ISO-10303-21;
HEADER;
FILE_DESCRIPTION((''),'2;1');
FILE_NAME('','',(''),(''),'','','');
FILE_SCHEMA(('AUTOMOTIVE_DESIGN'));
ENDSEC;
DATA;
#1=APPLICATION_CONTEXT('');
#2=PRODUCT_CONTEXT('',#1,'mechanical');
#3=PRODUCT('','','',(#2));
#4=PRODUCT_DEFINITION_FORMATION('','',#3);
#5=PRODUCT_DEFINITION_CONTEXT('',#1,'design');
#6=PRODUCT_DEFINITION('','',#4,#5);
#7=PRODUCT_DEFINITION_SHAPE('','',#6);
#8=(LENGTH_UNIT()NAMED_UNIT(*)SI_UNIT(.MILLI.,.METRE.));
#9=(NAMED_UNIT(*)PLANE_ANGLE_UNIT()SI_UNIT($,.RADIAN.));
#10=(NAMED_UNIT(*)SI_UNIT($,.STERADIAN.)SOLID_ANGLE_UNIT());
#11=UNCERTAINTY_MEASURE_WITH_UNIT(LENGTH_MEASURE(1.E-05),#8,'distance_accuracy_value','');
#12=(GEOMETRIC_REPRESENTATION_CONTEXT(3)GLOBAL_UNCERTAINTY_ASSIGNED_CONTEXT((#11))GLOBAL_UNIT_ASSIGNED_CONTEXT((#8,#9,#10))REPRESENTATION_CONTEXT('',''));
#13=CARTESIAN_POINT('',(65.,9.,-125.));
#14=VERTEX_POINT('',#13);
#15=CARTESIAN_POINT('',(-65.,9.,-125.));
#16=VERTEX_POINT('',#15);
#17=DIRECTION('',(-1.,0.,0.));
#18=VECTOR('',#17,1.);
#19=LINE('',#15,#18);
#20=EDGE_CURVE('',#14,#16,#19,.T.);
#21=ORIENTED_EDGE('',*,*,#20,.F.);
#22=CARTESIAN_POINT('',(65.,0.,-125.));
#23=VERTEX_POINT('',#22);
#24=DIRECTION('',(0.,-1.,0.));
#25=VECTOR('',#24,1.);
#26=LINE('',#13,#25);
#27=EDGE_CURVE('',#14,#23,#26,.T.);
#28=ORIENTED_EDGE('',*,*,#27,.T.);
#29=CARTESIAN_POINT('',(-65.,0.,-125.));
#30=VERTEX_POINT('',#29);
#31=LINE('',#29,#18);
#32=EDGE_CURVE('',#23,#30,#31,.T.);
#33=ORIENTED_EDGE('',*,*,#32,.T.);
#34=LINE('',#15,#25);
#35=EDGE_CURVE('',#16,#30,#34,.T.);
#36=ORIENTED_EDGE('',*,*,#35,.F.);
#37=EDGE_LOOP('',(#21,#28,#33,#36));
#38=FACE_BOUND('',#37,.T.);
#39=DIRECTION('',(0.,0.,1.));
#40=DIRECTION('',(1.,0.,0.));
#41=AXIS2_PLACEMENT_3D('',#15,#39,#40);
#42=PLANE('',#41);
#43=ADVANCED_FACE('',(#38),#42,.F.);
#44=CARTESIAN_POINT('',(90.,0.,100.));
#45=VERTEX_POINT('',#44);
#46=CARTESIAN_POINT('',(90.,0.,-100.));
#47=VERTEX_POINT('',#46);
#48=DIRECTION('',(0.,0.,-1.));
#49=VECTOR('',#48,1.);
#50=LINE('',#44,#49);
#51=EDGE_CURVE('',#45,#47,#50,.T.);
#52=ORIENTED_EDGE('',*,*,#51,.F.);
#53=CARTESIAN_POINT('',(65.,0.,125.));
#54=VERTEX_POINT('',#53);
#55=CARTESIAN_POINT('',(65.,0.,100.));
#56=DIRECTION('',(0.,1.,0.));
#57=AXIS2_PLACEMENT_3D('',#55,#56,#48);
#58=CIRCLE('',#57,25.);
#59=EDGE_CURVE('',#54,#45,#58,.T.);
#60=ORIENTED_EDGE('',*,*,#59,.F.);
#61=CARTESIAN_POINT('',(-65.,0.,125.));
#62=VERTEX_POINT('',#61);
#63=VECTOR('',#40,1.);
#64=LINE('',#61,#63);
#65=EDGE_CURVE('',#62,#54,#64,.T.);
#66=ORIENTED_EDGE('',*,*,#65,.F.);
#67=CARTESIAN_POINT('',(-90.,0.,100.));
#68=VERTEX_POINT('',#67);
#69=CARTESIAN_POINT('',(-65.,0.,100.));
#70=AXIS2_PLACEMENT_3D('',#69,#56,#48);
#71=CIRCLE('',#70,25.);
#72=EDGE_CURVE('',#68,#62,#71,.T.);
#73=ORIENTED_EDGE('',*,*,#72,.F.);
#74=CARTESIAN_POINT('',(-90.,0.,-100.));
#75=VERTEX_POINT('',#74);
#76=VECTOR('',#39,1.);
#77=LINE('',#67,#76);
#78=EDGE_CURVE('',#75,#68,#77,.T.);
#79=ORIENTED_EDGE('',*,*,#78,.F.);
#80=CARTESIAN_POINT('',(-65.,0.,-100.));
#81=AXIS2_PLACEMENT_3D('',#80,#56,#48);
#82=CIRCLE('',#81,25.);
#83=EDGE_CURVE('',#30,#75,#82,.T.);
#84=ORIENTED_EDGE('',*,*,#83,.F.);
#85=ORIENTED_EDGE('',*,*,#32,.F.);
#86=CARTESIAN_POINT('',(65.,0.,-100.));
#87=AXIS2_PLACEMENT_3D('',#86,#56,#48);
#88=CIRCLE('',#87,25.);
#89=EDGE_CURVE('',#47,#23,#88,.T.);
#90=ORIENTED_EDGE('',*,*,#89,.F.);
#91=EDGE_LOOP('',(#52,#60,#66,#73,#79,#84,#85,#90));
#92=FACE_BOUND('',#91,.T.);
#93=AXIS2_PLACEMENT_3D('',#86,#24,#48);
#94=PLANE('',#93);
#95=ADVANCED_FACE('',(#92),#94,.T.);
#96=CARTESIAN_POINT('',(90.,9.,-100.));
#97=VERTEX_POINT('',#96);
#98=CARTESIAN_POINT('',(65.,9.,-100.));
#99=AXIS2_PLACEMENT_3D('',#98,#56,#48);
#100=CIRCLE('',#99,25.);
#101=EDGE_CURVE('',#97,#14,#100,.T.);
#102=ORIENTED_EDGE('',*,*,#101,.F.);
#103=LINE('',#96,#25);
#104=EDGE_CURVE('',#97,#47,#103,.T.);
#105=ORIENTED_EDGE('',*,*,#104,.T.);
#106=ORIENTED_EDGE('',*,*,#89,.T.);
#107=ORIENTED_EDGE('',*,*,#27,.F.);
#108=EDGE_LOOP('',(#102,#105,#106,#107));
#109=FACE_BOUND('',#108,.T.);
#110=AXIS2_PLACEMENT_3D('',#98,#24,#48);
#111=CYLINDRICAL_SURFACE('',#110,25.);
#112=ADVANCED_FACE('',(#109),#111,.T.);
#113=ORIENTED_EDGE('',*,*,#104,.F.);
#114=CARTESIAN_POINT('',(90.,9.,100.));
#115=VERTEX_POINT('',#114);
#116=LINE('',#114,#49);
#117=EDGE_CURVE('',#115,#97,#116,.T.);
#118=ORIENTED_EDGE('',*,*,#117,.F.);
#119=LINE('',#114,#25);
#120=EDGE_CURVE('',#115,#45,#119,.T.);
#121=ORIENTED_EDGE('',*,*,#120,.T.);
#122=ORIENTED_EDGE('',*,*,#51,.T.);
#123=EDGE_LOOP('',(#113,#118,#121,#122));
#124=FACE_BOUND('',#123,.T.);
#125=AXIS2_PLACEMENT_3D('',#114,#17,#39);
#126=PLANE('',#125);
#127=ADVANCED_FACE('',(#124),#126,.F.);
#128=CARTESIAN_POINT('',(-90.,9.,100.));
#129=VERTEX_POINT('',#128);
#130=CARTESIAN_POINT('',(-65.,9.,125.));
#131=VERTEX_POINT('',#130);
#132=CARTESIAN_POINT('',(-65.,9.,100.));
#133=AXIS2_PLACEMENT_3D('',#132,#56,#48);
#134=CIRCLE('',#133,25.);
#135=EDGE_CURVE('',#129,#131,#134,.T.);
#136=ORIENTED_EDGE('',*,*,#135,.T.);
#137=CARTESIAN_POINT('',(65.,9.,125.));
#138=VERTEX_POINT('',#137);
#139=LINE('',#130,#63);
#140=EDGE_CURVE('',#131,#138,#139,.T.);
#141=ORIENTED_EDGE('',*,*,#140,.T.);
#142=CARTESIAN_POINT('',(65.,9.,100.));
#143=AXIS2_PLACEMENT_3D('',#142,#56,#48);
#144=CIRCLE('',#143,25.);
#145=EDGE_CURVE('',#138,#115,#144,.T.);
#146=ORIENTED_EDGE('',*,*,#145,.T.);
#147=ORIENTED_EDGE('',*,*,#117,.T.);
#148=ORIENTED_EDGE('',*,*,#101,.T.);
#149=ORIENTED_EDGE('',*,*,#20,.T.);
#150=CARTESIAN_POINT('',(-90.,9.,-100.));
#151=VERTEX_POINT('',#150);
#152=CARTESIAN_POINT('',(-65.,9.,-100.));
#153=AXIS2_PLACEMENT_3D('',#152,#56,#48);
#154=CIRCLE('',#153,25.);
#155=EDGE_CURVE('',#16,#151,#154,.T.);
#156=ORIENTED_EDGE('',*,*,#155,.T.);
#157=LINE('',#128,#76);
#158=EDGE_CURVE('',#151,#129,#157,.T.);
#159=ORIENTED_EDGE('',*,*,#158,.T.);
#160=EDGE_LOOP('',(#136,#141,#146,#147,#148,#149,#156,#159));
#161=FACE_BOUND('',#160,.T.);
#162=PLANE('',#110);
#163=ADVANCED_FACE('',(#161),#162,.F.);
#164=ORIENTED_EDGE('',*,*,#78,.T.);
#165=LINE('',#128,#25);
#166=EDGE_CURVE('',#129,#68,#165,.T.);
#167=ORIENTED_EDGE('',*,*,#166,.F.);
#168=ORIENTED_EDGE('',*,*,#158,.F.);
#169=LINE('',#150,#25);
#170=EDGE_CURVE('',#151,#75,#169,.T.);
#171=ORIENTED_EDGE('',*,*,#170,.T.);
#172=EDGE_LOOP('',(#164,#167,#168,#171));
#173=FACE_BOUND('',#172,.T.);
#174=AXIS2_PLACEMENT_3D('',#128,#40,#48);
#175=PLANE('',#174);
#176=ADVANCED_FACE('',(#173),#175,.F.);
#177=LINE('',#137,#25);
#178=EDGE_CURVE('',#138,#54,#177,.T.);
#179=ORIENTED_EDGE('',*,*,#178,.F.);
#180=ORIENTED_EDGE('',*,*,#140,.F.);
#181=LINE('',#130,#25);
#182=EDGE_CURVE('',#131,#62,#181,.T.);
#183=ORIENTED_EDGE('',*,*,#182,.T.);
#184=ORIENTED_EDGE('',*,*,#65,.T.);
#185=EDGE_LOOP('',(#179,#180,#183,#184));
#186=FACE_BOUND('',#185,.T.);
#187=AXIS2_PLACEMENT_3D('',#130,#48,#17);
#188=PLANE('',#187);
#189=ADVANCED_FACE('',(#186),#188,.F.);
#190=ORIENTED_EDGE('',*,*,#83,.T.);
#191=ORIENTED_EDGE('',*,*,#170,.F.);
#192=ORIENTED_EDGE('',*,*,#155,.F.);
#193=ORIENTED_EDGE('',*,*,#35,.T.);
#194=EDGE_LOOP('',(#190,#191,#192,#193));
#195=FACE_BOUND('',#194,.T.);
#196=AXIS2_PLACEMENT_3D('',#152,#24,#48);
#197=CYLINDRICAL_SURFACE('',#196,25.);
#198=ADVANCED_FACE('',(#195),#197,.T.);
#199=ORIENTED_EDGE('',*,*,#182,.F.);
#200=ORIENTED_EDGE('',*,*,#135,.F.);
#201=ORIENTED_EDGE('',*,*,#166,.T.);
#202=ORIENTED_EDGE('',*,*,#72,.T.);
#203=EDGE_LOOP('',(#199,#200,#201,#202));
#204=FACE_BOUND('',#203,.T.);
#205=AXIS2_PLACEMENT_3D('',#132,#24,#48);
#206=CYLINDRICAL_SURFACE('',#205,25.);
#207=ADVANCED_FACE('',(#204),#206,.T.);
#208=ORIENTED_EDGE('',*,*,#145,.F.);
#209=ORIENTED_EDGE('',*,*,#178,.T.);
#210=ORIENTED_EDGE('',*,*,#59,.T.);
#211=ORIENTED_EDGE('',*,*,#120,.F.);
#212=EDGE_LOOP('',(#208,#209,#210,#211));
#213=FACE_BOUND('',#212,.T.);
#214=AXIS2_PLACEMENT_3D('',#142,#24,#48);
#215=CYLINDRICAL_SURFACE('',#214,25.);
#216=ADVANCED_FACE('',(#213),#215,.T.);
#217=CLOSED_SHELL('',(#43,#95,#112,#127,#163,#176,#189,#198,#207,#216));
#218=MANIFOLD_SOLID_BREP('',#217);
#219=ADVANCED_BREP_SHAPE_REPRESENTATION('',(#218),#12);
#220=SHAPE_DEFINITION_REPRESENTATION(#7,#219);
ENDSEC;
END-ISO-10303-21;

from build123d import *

# Parameters (mm, degrees)
BOSS_EXTRUDE1_DEPTH = 9


with BuildPart() as part:
    # Sketch1 → Boss-Extrude1 (new body)
    with BuildSketch(Plane(origin=(0, 0, 0), x_dir=(1, 0, 0), z_dir=(0, 1, 0))):
        with BuildLine():
            Line((-65, -125), (65, -125))
            ThreePointArc((65, -125), (82.67766953, -117.67766953), (90, -100))
            Line((90, -100), (90, 100))
            ThreePointArc((90, 100), (82.67766953, 117.67766953), (65, 125))
            Line((65, 125), (-65, 125))
            ThreePointArc((-65, 125), (-82.67766953, 117.67766953), (-90, 100))
            Line((-90, 100), (-90, -100))
            ThreePointArc((-90, -100), (-82.67766953, -117.67766953), (-65, -125))
        make_face()
    extrude(amount=BOSS_EXTRUDE1_DEPTH)


solid = part.part
